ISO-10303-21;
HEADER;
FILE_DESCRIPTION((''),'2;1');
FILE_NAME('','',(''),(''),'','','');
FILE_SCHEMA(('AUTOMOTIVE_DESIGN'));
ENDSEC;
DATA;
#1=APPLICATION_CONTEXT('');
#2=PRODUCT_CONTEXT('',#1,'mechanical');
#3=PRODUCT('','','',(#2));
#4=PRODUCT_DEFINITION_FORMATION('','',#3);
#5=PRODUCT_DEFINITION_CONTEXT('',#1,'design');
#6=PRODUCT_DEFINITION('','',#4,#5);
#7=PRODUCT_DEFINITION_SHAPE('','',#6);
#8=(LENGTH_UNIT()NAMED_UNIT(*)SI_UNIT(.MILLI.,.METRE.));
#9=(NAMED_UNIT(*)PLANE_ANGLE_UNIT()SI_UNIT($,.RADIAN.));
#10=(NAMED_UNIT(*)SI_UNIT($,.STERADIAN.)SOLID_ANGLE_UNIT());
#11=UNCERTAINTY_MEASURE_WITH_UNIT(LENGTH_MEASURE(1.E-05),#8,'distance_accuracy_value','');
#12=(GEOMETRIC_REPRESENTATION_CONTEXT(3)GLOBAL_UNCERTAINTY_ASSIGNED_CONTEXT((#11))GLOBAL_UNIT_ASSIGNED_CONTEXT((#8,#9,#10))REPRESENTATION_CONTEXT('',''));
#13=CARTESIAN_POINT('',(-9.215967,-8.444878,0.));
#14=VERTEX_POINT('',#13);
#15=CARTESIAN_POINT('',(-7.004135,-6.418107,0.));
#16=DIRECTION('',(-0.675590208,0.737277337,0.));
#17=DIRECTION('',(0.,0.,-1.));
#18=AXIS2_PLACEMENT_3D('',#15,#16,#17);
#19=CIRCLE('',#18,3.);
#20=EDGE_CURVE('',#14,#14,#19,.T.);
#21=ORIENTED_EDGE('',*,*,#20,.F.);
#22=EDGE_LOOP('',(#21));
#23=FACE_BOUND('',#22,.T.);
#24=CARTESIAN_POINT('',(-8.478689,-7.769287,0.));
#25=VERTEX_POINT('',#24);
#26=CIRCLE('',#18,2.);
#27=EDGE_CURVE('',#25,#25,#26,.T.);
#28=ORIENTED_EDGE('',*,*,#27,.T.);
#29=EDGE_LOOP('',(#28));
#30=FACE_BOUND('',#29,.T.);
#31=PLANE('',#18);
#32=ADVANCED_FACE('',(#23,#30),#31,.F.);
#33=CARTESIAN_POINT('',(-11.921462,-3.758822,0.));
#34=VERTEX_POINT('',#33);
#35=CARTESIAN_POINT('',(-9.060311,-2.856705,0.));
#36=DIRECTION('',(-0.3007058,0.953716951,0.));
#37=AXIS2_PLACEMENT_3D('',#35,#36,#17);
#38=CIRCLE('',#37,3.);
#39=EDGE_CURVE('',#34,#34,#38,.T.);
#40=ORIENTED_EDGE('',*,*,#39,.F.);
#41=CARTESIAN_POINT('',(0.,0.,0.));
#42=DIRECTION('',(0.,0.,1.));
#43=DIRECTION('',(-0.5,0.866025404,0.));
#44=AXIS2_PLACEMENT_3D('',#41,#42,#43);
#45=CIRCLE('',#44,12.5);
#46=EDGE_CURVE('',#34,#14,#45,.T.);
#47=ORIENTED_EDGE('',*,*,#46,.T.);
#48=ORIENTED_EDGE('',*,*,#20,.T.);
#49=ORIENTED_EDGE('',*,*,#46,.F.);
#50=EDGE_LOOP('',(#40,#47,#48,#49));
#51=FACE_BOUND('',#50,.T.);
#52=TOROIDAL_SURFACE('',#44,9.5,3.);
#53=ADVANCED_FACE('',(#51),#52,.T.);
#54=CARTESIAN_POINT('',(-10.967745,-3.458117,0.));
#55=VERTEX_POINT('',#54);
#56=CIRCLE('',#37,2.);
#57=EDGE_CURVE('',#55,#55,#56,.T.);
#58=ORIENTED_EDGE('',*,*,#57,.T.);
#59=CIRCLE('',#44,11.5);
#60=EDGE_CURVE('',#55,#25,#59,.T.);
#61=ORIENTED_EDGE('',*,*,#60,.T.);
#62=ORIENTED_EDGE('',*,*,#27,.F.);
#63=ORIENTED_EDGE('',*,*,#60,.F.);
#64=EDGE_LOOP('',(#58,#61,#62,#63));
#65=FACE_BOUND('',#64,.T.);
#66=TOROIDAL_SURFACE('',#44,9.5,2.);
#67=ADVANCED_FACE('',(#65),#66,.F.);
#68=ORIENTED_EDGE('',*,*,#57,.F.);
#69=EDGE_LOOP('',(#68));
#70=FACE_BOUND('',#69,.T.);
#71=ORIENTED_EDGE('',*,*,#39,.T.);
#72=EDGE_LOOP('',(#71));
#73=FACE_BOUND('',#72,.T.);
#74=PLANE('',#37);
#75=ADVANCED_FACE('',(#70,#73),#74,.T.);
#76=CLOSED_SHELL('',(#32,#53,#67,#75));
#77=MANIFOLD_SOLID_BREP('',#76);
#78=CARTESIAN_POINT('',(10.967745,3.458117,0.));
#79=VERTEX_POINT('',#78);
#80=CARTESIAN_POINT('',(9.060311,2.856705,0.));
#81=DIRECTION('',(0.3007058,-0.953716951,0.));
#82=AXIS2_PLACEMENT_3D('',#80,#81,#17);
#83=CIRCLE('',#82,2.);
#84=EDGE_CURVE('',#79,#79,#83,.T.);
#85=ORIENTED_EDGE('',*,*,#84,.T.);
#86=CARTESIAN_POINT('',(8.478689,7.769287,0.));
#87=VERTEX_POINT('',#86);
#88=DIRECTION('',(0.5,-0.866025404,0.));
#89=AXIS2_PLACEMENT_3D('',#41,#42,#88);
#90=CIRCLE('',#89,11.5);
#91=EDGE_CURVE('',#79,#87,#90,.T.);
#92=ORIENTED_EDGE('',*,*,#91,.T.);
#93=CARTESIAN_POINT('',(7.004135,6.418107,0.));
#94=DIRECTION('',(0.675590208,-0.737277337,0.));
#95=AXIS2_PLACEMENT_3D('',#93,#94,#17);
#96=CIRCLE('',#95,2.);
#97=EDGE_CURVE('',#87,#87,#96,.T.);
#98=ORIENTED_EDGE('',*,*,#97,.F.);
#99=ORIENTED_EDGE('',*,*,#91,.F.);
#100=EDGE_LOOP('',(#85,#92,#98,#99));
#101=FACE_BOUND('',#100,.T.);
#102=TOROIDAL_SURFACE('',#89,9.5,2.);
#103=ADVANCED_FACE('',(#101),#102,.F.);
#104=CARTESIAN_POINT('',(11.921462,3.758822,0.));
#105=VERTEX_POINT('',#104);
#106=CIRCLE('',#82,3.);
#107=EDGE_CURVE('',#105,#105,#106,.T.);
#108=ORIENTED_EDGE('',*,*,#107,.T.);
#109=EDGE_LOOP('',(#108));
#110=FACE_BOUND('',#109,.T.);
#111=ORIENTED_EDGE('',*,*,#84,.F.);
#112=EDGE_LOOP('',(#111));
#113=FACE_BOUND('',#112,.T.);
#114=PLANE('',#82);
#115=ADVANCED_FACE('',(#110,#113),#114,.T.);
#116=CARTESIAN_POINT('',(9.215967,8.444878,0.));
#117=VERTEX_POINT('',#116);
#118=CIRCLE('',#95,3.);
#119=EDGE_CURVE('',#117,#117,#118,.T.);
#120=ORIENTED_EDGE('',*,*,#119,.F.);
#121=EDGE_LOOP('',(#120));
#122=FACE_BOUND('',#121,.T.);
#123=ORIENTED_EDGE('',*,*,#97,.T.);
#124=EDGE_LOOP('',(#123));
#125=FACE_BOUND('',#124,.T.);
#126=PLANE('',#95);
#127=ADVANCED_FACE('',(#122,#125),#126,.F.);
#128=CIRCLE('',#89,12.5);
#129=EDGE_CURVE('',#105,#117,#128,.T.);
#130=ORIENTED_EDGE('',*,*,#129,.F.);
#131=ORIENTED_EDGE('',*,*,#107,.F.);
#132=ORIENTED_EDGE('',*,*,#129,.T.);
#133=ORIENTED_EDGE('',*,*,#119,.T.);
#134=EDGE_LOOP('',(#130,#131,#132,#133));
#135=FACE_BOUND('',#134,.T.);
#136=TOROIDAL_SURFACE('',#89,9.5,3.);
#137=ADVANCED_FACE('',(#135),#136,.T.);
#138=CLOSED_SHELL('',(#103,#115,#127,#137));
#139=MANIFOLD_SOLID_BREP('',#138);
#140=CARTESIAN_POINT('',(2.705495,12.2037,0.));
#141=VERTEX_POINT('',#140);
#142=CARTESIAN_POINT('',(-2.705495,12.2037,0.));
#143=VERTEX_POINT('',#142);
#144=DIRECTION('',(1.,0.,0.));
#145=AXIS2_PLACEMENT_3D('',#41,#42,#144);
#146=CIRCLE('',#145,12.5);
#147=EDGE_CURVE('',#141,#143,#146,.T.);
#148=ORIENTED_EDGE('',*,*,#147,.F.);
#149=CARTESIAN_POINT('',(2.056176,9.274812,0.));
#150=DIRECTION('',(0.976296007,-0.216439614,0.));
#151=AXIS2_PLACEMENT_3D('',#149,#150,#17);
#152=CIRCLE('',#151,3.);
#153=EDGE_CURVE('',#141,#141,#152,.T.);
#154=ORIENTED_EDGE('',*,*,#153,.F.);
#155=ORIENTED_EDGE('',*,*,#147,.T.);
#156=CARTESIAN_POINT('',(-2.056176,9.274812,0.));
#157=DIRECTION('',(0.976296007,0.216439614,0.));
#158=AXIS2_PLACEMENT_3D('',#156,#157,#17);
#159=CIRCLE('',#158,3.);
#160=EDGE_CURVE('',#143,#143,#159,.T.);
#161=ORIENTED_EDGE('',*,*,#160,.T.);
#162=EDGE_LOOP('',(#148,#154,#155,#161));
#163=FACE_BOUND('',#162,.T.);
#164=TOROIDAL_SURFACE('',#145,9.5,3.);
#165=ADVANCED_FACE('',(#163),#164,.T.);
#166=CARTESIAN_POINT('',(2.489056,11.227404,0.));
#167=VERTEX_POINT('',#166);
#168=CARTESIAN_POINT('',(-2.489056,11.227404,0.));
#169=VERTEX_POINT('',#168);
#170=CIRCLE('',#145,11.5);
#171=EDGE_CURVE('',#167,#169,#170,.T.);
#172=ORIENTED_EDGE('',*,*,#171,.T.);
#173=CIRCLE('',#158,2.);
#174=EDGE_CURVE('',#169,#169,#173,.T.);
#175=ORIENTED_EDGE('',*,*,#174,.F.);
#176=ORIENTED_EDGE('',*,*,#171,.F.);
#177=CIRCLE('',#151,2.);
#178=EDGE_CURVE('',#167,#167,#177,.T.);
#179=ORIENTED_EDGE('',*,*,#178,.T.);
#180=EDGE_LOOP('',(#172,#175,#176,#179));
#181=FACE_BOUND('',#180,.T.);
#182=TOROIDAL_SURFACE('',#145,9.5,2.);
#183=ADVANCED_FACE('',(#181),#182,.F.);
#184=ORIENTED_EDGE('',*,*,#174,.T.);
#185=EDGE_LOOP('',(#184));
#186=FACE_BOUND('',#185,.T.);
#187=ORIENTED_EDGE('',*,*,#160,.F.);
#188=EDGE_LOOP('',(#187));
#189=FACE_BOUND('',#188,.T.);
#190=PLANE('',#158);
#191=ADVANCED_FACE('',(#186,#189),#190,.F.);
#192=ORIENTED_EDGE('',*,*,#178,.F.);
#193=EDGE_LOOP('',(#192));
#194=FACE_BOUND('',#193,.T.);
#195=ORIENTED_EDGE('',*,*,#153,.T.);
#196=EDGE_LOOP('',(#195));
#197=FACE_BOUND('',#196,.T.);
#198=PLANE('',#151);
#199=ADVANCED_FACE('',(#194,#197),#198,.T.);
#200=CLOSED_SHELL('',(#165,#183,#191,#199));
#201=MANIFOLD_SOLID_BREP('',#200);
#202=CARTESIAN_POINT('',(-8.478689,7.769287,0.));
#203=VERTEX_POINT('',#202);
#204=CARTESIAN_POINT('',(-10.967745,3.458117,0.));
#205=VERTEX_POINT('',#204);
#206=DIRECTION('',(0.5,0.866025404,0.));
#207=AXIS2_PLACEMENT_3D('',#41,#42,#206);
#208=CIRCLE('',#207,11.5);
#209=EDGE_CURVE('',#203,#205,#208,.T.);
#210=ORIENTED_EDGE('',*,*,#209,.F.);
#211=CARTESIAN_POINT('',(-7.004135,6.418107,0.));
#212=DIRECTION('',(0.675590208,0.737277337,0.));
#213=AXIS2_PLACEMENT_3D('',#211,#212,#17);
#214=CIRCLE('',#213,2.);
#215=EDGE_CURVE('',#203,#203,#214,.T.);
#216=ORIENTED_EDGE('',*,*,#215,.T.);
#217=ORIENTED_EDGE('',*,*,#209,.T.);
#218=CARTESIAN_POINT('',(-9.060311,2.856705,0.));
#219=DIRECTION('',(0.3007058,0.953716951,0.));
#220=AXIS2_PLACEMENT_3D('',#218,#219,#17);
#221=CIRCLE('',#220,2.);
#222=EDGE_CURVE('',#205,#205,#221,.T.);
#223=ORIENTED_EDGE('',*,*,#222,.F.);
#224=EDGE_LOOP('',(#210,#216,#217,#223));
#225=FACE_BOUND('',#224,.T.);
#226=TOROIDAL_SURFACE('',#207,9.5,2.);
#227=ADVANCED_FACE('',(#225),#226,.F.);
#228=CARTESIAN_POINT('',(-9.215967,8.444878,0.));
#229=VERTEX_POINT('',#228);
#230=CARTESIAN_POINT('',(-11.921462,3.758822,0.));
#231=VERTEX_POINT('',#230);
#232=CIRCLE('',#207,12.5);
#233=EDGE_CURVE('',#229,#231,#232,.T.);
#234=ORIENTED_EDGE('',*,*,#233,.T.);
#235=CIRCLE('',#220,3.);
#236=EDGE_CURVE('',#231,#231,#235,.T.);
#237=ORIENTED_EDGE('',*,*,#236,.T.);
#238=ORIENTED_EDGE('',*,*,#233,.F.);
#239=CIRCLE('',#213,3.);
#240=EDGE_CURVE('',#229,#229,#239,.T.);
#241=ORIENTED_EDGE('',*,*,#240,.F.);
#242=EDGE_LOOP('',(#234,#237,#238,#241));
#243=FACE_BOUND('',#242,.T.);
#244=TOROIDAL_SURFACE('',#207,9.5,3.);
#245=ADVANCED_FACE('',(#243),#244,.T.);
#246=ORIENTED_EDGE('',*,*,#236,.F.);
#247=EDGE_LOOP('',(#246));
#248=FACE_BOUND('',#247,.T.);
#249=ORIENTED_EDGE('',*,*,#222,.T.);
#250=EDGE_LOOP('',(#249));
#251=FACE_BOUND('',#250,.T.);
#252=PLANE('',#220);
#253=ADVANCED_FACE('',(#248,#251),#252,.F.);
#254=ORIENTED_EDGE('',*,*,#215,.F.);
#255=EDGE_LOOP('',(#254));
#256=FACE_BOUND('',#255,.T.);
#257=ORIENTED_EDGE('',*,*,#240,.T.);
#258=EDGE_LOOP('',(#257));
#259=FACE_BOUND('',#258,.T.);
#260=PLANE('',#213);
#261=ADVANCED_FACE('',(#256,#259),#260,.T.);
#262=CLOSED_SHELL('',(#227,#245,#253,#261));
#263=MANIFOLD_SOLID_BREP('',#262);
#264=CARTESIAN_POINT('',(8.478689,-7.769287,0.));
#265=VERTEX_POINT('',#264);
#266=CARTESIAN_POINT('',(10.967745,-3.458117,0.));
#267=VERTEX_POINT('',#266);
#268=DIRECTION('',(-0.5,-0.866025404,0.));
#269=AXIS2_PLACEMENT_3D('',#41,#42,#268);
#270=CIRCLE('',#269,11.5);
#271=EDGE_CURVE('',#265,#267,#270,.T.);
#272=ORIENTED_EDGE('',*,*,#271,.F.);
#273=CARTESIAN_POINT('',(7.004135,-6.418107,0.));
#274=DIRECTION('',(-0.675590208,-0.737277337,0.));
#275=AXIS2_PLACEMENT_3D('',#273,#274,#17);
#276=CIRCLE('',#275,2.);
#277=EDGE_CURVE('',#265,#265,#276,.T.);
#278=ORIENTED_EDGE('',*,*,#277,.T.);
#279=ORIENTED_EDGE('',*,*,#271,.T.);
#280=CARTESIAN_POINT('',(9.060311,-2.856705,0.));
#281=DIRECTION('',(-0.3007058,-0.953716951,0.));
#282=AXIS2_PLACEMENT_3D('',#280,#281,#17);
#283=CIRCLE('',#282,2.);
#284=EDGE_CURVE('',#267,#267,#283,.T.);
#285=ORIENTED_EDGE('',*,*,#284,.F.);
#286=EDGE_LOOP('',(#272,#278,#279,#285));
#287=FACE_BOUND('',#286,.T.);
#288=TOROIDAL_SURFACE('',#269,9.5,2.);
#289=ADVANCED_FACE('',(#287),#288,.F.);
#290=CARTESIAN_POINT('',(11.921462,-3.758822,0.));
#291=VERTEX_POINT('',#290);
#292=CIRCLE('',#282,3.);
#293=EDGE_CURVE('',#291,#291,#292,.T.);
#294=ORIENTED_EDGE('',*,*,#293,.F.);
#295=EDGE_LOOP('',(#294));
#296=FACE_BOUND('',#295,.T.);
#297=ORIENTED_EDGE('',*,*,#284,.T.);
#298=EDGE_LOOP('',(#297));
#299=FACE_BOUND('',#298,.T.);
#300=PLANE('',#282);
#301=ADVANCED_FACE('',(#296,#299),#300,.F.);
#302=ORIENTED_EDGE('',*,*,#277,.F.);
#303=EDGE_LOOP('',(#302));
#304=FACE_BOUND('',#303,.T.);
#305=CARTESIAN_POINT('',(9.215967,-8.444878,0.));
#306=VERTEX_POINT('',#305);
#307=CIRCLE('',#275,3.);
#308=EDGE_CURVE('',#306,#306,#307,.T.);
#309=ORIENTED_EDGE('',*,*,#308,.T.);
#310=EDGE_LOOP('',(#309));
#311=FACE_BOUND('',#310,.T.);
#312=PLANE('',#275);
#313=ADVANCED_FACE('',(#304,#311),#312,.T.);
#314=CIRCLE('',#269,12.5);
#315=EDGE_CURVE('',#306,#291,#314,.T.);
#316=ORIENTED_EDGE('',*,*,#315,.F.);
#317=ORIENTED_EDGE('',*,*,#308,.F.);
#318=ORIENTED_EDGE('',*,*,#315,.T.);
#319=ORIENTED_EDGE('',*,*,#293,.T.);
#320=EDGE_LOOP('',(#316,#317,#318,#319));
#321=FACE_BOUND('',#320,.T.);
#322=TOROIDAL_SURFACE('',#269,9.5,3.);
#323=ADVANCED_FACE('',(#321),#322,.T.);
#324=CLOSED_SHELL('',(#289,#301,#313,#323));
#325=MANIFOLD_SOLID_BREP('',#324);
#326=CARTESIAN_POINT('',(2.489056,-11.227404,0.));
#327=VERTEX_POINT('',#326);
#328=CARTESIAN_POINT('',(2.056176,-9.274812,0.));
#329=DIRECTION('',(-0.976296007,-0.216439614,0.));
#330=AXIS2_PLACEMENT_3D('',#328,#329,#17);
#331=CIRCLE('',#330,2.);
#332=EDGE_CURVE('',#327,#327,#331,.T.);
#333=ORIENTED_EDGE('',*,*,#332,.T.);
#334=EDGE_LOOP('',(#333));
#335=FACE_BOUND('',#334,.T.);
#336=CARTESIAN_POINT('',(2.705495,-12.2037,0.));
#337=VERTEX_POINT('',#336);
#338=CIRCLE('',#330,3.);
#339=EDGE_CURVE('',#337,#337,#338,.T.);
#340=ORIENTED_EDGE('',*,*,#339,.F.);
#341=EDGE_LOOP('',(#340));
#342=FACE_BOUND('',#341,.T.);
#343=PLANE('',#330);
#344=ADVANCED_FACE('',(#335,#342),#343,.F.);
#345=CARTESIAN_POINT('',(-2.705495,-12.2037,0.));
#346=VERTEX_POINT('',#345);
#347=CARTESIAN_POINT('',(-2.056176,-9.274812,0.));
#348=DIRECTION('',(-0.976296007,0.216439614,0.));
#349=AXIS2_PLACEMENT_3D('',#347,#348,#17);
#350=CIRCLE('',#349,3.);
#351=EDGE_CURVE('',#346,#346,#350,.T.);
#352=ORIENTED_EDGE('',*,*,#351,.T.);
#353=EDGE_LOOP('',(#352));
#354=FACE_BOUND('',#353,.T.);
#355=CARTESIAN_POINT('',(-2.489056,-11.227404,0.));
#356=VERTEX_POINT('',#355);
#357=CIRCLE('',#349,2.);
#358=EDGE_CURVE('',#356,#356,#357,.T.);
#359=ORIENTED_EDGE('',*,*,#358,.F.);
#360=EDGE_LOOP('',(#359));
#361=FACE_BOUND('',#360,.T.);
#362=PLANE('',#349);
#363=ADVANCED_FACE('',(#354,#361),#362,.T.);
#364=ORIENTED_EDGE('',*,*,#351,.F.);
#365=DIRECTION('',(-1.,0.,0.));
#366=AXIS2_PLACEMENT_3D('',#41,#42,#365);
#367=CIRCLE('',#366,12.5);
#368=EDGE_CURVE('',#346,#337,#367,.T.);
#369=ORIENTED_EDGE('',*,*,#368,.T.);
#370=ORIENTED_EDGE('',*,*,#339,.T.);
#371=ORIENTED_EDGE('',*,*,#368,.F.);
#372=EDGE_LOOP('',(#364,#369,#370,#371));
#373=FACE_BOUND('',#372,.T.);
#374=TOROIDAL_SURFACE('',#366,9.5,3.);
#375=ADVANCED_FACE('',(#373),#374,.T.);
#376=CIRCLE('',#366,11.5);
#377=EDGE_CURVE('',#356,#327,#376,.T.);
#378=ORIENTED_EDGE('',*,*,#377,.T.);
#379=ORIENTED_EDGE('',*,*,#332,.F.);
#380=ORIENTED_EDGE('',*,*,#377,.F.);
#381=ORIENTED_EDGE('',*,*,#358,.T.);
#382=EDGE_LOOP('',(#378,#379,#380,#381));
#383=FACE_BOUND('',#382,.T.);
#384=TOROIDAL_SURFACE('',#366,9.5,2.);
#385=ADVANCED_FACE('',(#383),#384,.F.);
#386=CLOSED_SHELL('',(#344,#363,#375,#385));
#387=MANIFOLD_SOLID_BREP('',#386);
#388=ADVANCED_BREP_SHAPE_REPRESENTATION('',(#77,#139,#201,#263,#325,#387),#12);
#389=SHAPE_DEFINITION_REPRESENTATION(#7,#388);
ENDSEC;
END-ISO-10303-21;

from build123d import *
from build123d.topology import SkipClean

# Parameters (mm, degrees)
SKIZZE2_R          = 3
SKIZZE2_R_2        = 2
ROTATION1_ANGLE    = 25
KREISMUSTER1_COUNT = 6


with BuildPart() as part:
    # Skizze2 → Rotation1 (revolve, symmetric)
    with SkipClean():  # the faces are left unmerged after this step: merging them gives an invalid solid
        with BuildSketch(Plane(origin=(0, 0, 0), x_dir=(0, 0, -1), z_dir=(1, 0, 0))) as rotation1_sk:
            with Locations((0, 9.5)):
                Circle(SKIZZE2_R)
            with Locations((0, 9.5)):
                Circle(SKIZZE2_R_2, mode=Mode.SUBTRACT)
        revolve(axis=Axis((0, 0, 37.728194726), (0, 0, -1)), revolution_arc=ROTATION1_ANGLE / 2)
        revolve(rotation1_sk.sketch, axis=Axis((0, 0, 37.728194726), (0, 0, 1)), revolution_arc=ROTATION1_ANGLE / 2)


with BuildPart() as kreismuster1_1:
    # Kreismuster1: pattern copy
    add(part.part.rotate(Axis((0, 0, 3.3), (0, 0, -1)), 1 * 360 / KREISMUSTER1_COUNT))


with BuildPart() as kreismuster1_2:
    # Kreismuster1: pattern copy
    add(part.part.rotate(Axis((0, 0, 3.3), (0, 0, -1)), 2 * 360 / KREISMUSTER1_COUNT))


with BuildPart() as kreismuster1_3:
    # Kreismuster1: pattern copy
    add(part.part.rotate(Axis((0, 0, 3.3), (0, 0, -1)), 3 * 360 / KREISMUSTER1_COUNT))


with BuildPart() as kreismuster1_4:
    # Kreismuster1: pattern copy
    add(part.part.rotate(Axis((0, 0, 3.3), (0, 0, -1)), 4 * 360 / KREISMUSTER1_COUNT))


with BuildPart() as kreismuster1_5:
    # Kreismuster1: pattern copy
    add(part.part.rotate(Axis((0, 0, 3.3), (0, 0, -1)), 5 * 360 / KREISMUSTER1_COUNT))


solid = Compound([part.part, kreismuster1_1.part, kreismuster1_2.part, kreismuster1_3.part, kreismuster1_4.part, kreismuster1_5.part])
